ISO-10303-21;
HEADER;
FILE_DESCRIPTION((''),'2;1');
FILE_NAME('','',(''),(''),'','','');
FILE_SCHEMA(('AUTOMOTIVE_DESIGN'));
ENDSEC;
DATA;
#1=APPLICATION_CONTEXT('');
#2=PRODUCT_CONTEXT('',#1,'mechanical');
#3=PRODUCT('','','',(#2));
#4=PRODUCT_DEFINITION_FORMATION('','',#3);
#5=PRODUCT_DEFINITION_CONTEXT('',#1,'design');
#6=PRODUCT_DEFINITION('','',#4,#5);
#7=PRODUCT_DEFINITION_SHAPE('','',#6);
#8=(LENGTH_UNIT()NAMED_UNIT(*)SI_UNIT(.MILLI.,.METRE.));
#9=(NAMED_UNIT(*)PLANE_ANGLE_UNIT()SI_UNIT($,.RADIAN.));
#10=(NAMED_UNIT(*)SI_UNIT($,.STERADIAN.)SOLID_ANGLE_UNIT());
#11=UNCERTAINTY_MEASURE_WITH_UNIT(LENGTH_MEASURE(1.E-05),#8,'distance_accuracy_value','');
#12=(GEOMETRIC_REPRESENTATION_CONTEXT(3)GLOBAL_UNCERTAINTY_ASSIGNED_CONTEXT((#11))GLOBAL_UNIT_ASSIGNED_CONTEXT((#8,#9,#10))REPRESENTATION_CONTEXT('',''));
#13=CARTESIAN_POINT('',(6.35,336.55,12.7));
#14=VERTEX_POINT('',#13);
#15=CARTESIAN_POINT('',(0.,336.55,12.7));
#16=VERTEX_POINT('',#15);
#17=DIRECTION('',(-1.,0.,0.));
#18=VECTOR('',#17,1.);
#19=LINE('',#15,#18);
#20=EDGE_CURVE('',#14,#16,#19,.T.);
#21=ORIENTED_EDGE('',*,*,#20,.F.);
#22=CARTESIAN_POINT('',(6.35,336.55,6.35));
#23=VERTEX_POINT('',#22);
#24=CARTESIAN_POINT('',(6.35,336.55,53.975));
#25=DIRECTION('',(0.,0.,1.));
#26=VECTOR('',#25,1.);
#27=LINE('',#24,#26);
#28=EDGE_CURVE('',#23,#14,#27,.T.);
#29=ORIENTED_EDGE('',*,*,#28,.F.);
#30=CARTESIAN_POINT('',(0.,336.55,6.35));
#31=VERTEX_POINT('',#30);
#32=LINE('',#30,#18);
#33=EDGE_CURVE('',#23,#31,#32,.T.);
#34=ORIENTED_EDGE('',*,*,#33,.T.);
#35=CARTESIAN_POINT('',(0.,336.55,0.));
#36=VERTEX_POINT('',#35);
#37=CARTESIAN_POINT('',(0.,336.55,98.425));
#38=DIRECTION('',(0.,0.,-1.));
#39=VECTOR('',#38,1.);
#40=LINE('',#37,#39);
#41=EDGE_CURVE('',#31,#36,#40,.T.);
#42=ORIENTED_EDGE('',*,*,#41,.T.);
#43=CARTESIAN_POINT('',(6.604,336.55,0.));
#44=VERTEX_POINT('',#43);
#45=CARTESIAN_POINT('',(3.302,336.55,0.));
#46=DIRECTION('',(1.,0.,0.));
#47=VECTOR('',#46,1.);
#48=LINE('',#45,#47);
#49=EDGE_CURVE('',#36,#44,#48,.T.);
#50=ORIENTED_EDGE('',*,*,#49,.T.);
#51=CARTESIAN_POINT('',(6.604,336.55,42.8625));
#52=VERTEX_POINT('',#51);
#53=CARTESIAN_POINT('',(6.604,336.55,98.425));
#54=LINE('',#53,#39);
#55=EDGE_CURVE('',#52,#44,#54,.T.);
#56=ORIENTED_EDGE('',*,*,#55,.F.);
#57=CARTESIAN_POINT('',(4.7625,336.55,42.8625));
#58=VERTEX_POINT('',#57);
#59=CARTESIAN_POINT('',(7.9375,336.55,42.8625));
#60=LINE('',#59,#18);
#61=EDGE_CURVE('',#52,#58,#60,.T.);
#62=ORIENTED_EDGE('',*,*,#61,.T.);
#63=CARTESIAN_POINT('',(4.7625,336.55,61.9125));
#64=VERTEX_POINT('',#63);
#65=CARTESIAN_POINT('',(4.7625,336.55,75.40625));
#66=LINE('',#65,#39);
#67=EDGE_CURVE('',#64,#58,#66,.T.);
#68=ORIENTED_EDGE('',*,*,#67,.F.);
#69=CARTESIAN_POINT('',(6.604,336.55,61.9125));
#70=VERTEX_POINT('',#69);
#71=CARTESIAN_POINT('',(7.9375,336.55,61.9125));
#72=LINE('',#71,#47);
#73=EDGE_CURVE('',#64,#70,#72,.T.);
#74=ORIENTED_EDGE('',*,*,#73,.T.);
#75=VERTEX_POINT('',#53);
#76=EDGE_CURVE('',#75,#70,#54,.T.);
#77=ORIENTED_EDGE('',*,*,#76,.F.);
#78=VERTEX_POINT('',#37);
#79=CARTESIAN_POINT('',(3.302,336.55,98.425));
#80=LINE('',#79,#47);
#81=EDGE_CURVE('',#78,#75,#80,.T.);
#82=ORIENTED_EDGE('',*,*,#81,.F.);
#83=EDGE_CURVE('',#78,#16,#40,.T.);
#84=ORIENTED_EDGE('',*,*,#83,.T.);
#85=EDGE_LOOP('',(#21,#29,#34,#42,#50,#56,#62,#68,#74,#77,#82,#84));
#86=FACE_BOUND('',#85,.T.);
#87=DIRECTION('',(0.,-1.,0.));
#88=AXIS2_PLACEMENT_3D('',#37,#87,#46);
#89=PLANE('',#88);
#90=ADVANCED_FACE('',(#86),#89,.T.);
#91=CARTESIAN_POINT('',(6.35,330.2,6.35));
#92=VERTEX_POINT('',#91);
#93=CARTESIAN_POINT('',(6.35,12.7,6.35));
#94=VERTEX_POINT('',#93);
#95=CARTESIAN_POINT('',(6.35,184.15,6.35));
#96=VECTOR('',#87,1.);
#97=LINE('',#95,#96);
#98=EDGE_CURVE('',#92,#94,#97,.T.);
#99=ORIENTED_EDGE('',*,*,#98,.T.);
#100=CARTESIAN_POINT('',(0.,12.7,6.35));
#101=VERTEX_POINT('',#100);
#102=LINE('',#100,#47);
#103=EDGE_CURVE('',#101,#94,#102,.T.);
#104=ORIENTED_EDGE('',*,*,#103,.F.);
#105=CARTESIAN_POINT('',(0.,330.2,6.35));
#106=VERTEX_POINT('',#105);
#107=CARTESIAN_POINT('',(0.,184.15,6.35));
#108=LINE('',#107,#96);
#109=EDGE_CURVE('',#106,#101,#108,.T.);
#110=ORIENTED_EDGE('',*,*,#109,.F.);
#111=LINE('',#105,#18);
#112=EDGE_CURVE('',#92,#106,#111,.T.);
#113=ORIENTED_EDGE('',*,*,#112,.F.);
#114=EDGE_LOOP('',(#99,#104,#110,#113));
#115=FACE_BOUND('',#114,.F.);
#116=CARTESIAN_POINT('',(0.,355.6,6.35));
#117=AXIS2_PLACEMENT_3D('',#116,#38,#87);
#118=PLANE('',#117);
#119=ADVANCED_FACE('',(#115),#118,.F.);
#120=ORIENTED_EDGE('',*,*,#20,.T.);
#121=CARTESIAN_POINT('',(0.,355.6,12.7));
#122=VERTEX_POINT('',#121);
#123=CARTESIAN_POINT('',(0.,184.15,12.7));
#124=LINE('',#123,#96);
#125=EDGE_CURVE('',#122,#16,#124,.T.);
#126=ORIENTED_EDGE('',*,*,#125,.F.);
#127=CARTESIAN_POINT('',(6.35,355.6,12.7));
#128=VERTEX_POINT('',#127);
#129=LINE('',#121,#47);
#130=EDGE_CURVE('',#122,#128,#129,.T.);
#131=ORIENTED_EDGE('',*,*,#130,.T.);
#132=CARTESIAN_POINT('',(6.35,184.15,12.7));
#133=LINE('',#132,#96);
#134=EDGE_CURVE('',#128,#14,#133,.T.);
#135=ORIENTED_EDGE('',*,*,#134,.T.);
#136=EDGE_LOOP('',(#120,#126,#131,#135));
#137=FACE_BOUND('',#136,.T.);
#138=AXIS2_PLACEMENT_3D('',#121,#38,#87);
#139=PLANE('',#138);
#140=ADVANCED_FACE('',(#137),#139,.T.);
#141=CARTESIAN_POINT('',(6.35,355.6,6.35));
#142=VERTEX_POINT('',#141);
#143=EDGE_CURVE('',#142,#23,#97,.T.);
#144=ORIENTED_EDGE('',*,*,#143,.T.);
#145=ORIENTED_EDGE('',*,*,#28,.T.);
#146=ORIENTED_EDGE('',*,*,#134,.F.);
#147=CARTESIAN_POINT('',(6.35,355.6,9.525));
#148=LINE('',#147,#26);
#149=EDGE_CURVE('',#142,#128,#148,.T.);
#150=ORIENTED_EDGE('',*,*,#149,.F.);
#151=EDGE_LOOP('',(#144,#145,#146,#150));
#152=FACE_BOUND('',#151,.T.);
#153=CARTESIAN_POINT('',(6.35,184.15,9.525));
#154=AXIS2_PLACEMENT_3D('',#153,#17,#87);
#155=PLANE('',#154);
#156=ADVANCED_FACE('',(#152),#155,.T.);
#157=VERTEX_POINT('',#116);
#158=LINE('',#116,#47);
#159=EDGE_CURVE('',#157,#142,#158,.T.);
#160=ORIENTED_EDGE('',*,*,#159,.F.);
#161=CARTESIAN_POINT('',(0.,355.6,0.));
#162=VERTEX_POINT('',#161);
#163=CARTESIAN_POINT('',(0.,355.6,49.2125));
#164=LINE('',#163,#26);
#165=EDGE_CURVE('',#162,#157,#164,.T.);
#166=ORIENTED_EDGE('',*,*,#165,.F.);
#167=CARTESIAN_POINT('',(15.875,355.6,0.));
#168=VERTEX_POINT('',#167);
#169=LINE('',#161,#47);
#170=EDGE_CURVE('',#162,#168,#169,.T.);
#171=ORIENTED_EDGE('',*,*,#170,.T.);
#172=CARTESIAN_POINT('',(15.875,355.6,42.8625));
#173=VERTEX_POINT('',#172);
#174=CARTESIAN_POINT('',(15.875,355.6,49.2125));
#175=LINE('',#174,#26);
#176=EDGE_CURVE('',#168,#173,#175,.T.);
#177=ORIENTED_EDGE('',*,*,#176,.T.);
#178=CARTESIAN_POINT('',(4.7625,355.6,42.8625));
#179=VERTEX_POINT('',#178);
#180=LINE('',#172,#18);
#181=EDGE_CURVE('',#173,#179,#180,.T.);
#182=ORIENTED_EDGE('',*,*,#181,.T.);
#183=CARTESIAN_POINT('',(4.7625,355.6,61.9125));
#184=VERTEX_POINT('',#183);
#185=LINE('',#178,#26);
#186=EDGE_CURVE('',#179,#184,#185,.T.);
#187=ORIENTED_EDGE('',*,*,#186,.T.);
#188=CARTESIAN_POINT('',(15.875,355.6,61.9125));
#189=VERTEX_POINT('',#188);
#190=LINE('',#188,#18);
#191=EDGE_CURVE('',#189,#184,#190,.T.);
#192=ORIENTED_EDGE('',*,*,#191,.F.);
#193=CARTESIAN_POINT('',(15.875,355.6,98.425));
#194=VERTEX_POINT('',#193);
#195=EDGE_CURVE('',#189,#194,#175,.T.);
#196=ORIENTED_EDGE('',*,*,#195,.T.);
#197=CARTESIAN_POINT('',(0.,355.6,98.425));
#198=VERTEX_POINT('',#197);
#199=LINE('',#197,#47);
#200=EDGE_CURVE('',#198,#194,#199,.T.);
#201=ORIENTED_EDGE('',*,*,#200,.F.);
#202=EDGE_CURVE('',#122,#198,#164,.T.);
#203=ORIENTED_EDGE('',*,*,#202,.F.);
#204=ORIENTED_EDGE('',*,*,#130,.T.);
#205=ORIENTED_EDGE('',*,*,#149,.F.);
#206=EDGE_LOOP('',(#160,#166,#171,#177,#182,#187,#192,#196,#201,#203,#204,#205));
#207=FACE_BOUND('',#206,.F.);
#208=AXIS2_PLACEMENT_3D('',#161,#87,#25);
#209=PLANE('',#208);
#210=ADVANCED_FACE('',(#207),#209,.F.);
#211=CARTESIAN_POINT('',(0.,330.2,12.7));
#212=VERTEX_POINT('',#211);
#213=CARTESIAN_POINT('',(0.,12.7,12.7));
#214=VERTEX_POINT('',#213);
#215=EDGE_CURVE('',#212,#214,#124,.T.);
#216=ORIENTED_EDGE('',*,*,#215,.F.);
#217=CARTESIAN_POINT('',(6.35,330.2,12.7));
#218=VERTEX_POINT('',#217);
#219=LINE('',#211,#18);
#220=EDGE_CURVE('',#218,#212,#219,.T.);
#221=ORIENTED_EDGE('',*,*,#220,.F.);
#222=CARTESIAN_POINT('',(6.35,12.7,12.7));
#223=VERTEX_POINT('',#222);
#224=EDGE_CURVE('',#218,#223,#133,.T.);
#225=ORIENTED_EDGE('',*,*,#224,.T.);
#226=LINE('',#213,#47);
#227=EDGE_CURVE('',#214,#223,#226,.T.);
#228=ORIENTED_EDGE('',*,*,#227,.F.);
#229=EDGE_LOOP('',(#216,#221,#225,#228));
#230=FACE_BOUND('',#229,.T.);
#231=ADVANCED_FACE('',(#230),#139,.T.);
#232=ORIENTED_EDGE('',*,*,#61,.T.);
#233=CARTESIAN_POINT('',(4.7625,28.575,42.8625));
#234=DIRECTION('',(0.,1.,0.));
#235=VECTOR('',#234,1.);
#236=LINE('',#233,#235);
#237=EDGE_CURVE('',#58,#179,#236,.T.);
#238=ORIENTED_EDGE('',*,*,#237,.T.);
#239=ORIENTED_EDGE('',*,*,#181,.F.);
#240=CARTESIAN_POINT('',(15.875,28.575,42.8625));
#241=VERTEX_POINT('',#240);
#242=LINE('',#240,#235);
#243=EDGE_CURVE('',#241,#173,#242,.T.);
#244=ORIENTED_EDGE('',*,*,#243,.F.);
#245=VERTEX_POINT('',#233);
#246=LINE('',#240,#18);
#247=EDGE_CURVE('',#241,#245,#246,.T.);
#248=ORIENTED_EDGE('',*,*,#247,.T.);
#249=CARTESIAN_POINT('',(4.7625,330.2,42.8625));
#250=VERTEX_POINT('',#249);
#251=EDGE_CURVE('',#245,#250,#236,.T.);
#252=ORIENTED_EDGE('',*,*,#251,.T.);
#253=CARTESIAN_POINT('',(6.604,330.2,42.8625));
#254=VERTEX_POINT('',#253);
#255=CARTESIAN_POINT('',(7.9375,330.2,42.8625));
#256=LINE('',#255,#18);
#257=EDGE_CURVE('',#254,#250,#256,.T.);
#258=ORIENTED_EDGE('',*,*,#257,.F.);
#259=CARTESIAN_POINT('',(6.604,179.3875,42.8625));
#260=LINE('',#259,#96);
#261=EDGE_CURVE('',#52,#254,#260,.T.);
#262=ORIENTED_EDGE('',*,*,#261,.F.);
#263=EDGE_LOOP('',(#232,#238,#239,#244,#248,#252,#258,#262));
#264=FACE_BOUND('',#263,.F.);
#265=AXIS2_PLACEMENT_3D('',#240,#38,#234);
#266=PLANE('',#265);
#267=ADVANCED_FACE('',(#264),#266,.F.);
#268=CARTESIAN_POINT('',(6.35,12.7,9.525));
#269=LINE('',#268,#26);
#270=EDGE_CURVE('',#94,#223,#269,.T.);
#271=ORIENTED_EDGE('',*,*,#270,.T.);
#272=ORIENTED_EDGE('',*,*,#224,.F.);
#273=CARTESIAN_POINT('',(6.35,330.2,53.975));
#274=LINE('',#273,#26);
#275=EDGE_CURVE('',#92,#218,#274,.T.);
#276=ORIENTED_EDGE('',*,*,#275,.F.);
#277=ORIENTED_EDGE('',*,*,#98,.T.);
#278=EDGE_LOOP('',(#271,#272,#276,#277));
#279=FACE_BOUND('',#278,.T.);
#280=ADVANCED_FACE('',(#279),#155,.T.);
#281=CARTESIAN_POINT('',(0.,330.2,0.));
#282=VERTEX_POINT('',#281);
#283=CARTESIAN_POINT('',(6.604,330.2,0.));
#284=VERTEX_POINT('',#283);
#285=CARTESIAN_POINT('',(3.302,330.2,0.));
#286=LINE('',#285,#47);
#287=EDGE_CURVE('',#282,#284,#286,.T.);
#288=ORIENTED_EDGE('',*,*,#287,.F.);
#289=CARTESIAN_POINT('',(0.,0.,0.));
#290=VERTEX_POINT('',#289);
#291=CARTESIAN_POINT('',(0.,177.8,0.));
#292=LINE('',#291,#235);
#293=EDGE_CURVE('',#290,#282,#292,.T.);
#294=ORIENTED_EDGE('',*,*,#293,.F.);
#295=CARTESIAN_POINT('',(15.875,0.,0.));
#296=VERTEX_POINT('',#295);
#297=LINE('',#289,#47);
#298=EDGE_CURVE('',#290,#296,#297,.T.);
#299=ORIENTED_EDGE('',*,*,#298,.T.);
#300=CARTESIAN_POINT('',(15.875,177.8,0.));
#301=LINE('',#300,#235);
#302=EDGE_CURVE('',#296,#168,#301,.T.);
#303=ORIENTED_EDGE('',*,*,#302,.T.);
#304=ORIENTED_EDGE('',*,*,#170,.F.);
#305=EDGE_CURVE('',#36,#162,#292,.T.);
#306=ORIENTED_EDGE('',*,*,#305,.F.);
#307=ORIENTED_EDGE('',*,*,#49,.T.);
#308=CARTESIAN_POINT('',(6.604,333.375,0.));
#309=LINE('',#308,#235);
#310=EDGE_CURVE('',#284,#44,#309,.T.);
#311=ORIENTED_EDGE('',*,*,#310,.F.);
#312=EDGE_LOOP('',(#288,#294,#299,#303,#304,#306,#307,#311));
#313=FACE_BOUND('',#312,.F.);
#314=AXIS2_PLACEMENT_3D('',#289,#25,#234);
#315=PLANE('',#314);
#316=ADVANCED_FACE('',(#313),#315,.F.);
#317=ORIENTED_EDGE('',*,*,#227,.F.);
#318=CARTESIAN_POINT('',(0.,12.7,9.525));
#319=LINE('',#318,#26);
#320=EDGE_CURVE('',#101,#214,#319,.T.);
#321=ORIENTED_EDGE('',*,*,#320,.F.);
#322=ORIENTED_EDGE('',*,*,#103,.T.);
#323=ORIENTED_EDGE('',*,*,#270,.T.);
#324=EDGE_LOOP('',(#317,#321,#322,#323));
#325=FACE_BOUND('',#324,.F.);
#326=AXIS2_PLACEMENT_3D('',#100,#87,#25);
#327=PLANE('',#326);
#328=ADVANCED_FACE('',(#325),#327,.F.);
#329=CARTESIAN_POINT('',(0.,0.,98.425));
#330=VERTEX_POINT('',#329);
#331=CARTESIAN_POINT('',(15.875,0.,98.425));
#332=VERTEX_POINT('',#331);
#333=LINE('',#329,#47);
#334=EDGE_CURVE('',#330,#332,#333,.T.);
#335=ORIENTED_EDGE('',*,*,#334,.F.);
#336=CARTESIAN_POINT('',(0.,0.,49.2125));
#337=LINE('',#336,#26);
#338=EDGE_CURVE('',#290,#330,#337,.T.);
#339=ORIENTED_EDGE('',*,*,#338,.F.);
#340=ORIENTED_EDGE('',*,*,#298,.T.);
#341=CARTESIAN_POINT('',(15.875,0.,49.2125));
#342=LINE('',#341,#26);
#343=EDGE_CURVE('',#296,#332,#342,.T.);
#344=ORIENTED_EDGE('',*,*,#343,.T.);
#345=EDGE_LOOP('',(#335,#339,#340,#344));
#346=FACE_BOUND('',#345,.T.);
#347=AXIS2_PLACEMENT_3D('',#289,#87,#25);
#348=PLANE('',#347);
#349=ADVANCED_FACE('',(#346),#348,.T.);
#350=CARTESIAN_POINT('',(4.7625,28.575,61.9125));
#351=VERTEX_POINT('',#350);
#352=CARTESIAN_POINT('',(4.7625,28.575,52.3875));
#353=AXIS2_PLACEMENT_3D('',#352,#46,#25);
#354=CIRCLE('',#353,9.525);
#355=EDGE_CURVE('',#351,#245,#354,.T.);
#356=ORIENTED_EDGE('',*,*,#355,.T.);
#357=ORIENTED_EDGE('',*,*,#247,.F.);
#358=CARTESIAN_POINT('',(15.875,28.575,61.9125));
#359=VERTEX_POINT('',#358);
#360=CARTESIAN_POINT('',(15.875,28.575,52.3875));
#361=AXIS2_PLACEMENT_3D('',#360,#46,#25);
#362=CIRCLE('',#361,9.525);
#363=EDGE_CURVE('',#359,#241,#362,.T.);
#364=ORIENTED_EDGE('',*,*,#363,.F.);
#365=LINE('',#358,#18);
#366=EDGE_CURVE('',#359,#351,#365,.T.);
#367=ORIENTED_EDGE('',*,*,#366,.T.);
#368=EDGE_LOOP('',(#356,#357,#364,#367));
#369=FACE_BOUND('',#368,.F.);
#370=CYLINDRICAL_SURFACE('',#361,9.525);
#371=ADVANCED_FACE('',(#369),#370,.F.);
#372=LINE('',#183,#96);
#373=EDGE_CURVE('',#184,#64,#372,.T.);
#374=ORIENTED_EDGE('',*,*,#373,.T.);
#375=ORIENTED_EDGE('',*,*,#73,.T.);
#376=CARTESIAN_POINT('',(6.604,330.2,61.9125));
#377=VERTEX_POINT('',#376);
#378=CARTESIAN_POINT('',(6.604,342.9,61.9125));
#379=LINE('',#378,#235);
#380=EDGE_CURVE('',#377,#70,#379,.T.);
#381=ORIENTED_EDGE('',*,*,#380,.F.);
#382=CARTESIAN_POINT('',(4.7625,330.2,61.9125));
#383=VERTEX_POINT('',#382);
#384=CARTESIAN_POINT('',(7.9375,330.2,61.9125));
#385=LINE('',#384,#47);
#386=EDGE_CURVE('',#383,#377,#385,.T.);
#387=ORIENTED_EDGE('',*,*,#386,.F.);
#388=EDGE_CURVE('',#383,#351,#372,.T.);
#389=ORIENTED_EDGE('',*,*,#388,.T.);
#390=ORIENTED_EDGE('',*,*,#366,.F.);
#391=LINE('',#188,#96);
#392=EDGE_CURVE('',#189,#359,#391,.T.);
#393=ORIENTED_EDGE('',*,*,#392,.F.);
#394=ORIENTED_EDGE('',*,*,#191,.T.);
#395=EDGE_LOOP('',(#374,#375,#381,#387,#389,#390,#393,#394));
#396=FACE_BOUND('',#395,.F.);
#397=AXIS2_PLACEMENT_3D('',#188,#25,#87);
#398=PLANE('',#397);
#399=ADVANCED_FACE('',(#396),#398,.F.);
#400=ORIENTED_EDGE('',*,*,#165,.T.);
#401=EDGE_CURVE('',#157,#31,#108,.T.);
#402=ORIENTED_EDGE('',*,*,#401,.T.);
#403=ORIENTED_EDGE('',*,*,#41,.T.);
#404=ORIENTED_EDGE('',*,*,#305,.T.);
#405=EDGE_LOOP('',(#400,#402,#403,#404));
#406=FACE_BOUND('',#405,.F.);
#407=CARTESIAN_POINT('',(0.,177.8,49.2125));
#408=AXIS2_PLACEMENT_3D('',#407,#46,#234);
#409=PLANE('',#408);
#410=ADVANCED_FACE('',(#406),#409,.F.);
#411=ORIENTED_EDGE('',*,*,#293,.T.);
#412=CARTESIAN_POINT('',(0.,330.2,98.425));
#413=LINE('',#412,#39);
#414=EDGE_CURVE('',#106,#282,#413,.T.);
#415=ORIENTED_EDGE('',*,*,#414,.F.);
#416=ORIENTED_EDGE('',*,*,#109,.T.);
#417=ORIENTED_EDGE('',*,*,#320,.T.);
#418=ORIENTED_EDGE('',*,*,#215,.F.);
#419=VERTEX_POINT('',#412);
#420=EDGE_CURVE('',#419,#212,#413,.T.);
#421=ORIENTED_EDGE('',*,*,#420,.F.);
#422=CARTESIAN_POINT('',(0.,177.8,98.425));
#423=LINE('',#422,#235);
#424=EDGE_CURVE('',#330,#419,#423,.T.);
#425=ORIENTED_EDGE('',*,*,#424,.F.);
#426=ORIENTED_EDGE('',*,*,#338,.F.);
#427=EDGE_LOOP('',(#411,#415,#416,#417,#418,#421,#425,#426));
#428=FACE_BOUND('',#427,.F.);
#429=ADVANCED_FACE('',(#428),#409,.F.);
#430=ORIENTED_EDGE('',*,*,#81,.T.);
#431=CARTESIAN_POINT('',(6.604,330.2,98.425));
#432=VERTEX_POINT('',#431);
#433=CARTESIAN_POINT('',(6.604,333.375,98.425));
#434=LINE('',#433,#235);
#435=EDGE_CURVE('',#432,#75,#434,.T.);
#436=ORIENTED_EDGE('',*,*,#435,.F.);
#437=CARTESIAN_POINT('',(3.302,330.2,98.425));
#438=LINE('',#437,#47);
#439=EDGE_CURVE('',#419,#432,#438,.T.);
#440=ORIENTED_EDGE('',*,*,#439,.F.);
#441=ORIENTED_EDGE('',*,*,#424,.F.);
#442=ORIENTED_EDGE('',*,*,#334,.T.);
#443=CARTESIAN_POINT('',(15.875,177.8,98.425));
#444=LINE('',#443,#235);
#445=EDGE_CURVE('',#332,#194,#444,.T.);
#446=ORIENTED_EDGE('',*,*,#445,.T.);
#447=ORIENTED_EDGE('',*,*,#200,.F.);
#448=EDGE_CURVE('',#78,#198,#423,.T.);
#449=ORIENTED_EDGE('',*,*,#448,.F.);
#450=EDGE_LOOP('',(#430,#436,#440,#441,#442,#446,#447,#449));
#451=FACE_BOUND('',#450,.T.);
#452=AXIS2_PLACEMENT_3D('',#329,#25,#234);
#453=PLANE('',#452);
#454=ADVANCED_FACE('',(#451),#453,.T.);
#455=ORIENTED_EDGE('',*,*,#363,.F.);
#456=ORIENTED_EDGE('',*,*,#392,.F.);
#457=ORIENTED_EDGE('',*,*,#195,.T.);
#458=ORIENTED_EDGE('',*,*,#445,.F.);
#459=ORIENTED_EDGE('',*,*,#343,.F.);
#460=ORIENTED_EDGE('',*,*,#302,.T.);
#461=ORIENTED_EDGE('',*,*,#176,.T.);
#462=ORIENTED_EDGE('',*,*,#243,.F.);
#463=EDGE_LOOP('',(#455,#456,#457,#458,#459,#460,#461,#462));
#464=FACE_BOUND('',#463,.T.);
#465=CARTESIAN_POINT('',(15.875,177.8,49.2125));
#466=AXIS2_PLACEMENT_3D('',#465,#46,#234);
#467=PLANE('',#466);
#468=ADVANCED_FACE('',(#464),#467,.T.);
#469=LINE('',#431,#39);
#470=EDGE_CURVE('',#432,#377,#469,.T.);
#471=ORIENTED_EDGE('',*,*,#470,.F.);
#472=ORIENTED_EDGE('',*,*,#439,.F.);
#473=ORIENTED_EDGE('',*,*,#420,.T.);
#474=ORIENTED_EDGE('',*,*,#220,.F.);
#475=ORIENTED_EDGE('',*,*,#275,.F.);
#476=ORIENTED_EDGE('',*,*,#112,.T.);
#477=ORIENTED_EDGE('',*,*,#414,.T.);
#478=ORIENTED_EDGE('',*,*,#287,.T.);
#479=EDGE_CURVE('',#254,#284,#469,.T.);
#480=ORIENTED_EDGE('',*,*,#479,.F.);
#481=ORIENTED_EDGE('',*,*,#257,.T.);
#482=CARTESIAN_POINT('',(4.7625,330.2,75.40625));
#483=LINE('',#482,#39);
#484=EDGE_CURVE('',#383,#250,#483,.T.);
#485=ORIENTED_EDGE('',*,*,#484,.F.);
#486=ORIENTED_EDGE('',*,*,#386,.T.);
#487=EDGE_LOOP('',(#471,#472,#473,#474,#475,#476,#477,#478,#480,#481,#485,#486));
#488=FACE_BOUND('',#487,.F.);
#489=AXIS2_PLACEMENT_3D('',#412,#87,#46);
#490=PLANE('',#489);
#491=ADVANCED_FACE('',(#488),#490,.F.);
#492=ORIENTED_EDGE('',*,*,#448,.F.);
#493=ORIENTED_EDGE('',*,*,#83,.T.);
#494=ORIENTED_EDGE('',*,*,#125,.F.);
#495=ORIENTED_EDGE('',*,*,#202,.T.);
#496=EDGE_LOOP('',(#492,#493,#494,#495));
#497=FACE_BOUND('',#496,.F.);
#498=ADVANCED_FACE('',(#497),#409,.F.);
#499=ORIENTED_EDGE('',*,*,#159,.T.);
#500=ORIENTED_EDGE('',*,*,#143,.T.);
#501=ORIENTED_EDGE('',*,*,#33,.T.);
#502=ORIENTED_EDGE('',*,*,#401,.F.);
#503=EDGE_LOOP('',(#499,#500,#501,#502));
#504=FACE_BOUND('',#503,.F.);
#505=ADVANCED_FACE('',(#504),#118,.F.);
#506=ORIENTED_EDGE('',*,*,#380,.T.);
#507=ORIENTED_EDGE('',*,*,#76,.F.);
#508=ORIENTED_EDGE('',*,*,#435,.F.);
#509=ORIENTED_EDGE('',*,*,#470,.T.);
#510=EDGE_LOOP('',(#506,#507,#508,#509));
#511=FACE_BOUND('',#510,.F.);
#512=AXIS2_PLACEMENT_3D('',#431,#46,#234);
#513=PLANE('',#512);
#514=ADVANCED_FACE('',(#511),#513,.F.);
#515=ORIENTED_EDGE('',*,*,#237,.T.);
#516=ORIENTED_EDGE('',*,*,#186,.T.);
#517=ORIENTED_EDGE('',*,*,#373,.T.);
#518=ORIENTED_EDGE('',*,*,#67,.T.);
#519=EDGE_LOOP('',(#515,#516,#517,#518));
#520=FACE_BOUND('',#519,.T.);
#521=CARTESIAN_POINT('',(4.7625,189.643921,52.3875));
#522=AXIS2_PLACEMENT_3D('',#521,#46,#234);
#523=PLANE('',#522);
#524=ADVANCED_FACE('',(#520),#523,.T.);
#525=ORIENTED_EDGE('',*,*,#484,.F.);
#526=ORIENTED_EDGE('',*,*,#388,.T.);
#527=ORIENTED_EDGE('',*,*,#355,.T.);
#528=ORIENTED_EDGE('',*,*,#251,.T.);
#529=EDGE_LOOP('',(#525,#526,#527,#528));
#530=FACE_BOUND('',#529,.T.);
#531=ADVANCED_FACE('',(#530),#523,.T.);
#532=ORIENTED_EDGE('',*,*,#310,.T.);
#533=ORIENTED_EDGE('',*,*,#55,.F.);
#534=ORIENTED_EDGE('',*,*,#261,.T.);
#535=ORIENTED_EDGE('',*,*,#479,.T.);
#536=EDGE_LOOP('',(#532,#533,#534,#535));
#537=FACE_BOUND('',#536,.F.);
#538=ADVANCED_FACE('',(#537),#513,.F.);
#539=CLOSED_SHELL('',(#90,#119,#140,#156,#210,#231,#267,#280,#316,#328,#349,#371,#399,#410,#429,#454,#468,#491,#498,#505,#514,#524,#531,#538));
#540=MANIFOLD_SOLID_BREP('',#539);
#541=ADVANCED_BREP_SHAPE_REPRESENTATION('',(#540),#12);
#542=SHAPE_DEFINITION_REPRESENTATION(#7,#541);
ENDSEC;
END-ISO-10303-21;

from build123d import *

# Parameters (mm, degrees)
F0_W     = 355.6
F0_H     = 98.425
F1_DEPTH = 15.875
F3_DEPTH = 11.1125
F4_W     = 342.9
F4_H     = 6.35
F5_DEPTH = 6.35
F6_W     = 6.604
F6_H     = 6.35
F7_DEPTH = 98.425


with BuildPart() as f1:
    # F0 (on Right) → F1 (new body)
    with BuildSketch(Plane.YZ):
        with Locations((177.8, 49.2125)):
            Rectangle(F0_W, F0_H)
    extrude(amount=F1_DEPTH)

    # F2 (on face) → F3 (cut)
    with BuildSketch(Plane.YZ.offset(15.875)):
        with BuildLine():
            ThreePointArc((28.575, 61.9125), (19.05, 52.3875), (28.575, 42.8625))
            Line((28.575, 42.8625), (355.6, 42.8625))
            Line((355.6, 42.8625), (355.6, 52.3875))
            Line((355.6, 52.3875), (355.6, 61.9125))
            Line((355.6, 61.9125), (28.575, 61.9125))
        make_face()
    extrude(amount=-F3_DEPTH, mode=Mode.SUBTRACT)

    # F4 (on face) → F5 (cut)
    with BuildSketch(Plane(origin=(0, 0, 0), x_dir=(0, -1, 0), z_dir=(-1, 0, 0))):
        with Locations((-184.15, 9.525)):
            Rectangle(F4_W, F4_H)
    extrude(amount=-F5_DEPTH, mode=Mode.SUBTRACT)

    # F6 (on face) → F7 (cut, through all)
    with BuildSketch(Plane.XY.offset(98.425)):
        with Locations((3.302, 333.375)):
            Rectangle(F6_W, F6_H)
    extrude(amount=-F7_DEPTH, mode=Mode.SUBTRACT)


solid = f1.part
